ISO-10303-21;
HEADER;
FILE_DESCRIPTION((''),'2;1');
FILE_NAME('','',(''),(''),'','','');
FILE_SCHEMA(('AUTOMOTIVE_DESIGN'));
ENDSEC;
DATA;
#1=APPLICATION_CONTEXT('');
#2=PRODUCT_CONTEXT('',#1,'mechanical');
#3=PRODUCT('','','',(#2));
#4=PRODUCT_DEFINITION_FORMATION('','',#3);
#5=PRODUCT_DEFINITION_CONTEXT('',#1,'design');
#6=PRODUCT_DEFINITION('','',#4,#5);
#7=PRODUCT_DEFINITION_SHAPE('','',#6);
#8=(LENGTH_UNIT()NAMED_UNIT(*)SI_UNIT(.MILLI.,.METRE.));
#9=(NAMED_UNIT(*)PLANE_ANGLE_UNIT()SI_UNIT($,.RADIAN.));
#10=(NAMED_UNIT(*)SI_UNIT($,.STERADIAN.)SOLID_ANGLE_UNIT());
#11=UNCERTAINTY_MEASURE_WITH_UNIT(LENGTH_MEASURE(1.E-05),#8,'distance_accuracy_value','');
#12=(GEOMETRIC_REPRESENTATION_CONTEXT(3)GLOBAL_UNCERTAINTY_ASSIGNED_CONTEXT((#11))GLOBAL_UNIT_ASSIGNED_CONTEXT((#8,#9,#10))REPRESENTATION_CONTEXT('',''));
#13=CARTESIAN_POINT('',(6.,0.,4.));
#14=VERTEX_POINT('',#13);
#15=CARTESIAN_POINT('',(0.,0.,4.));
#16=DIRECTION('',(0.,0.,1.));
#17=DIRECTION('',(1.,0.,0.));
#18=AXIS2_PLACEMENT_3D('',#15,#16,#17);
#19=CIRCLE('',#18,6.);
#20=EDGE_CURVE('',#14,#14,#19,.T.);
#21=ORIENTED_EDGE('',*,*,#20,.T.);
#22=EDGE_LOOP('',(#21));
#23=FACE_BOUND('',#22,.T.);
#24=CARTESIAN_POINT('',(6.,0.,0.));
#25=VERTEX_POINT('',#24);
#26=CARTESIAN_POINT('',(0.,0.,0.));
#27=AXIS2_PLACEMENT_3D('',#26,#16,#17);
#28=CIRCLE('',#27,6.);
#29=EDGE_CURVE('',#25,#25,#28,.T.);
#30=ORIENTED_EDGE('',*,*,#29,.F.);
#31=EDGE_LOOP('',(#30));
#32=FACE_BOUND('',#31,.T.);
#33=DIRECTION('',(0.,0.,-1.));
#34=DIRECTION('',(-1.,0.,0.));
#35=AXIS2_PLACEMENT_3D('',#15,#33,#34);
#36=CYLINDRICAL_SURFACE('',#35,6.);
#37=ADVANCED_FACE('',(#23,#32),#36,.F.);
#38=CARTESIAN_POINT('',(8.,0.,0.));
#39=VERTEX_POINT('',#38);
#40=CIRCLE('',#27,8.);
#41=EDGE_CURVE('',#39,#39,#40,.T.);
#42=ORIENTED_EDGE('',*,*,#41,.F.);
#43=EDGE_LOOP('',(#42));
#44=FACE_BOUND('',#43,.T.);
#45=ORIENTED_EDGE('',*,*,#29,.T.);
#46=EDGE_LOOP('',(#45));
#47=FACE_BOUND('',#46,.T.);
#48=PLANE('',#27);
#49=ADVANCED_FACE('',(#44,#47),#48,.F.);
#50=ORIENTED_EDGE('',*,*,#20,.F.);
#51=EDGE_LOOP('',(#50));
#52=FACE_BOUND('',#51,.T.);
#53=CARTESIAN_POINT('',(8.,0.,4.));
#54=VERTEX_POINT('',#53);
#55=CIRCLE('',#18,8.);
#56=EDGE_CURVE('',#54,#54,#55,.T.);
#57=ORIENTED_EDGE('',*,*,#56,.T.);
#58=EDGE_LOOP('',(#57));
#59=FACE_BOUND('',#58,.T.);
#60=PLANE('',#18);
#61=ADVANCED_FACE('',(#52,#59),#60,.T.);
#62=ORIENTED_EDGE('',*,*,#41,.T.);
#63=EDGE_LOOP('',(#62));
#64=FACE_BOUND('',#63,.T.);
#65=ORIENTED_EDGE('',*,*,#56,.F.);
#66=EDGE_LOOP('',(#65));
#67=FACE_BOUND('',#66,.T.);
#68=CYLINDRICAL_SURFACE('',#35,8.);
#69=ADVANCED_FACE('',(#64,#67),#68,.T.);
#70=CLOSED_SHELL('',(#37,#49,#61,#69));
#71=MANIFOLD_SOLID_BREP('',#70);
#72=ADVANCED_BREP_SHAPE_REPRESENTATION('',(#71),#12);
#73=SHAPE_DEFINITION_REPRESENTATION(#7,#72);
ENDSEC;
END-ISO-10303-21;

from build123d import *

# Parameters (mm, degrees)
SKETCH1_R           = 8
SKETCH1_R_2         = 6
BOSS_EXTRUDE1_DEPTH = 4


with BuildPart() as part:
    # Sketch1 → Boss-Extrude1 (new body)
    with BuildSketch(Plane.XY):
        Circle(SKETCH1_R)
        Circle(SKETCH1_R_2, mode=Mode.SUBTRACT)
    extrude(amount=BOSS_EXTRUDE1_DEPTH)


solid = part.part
